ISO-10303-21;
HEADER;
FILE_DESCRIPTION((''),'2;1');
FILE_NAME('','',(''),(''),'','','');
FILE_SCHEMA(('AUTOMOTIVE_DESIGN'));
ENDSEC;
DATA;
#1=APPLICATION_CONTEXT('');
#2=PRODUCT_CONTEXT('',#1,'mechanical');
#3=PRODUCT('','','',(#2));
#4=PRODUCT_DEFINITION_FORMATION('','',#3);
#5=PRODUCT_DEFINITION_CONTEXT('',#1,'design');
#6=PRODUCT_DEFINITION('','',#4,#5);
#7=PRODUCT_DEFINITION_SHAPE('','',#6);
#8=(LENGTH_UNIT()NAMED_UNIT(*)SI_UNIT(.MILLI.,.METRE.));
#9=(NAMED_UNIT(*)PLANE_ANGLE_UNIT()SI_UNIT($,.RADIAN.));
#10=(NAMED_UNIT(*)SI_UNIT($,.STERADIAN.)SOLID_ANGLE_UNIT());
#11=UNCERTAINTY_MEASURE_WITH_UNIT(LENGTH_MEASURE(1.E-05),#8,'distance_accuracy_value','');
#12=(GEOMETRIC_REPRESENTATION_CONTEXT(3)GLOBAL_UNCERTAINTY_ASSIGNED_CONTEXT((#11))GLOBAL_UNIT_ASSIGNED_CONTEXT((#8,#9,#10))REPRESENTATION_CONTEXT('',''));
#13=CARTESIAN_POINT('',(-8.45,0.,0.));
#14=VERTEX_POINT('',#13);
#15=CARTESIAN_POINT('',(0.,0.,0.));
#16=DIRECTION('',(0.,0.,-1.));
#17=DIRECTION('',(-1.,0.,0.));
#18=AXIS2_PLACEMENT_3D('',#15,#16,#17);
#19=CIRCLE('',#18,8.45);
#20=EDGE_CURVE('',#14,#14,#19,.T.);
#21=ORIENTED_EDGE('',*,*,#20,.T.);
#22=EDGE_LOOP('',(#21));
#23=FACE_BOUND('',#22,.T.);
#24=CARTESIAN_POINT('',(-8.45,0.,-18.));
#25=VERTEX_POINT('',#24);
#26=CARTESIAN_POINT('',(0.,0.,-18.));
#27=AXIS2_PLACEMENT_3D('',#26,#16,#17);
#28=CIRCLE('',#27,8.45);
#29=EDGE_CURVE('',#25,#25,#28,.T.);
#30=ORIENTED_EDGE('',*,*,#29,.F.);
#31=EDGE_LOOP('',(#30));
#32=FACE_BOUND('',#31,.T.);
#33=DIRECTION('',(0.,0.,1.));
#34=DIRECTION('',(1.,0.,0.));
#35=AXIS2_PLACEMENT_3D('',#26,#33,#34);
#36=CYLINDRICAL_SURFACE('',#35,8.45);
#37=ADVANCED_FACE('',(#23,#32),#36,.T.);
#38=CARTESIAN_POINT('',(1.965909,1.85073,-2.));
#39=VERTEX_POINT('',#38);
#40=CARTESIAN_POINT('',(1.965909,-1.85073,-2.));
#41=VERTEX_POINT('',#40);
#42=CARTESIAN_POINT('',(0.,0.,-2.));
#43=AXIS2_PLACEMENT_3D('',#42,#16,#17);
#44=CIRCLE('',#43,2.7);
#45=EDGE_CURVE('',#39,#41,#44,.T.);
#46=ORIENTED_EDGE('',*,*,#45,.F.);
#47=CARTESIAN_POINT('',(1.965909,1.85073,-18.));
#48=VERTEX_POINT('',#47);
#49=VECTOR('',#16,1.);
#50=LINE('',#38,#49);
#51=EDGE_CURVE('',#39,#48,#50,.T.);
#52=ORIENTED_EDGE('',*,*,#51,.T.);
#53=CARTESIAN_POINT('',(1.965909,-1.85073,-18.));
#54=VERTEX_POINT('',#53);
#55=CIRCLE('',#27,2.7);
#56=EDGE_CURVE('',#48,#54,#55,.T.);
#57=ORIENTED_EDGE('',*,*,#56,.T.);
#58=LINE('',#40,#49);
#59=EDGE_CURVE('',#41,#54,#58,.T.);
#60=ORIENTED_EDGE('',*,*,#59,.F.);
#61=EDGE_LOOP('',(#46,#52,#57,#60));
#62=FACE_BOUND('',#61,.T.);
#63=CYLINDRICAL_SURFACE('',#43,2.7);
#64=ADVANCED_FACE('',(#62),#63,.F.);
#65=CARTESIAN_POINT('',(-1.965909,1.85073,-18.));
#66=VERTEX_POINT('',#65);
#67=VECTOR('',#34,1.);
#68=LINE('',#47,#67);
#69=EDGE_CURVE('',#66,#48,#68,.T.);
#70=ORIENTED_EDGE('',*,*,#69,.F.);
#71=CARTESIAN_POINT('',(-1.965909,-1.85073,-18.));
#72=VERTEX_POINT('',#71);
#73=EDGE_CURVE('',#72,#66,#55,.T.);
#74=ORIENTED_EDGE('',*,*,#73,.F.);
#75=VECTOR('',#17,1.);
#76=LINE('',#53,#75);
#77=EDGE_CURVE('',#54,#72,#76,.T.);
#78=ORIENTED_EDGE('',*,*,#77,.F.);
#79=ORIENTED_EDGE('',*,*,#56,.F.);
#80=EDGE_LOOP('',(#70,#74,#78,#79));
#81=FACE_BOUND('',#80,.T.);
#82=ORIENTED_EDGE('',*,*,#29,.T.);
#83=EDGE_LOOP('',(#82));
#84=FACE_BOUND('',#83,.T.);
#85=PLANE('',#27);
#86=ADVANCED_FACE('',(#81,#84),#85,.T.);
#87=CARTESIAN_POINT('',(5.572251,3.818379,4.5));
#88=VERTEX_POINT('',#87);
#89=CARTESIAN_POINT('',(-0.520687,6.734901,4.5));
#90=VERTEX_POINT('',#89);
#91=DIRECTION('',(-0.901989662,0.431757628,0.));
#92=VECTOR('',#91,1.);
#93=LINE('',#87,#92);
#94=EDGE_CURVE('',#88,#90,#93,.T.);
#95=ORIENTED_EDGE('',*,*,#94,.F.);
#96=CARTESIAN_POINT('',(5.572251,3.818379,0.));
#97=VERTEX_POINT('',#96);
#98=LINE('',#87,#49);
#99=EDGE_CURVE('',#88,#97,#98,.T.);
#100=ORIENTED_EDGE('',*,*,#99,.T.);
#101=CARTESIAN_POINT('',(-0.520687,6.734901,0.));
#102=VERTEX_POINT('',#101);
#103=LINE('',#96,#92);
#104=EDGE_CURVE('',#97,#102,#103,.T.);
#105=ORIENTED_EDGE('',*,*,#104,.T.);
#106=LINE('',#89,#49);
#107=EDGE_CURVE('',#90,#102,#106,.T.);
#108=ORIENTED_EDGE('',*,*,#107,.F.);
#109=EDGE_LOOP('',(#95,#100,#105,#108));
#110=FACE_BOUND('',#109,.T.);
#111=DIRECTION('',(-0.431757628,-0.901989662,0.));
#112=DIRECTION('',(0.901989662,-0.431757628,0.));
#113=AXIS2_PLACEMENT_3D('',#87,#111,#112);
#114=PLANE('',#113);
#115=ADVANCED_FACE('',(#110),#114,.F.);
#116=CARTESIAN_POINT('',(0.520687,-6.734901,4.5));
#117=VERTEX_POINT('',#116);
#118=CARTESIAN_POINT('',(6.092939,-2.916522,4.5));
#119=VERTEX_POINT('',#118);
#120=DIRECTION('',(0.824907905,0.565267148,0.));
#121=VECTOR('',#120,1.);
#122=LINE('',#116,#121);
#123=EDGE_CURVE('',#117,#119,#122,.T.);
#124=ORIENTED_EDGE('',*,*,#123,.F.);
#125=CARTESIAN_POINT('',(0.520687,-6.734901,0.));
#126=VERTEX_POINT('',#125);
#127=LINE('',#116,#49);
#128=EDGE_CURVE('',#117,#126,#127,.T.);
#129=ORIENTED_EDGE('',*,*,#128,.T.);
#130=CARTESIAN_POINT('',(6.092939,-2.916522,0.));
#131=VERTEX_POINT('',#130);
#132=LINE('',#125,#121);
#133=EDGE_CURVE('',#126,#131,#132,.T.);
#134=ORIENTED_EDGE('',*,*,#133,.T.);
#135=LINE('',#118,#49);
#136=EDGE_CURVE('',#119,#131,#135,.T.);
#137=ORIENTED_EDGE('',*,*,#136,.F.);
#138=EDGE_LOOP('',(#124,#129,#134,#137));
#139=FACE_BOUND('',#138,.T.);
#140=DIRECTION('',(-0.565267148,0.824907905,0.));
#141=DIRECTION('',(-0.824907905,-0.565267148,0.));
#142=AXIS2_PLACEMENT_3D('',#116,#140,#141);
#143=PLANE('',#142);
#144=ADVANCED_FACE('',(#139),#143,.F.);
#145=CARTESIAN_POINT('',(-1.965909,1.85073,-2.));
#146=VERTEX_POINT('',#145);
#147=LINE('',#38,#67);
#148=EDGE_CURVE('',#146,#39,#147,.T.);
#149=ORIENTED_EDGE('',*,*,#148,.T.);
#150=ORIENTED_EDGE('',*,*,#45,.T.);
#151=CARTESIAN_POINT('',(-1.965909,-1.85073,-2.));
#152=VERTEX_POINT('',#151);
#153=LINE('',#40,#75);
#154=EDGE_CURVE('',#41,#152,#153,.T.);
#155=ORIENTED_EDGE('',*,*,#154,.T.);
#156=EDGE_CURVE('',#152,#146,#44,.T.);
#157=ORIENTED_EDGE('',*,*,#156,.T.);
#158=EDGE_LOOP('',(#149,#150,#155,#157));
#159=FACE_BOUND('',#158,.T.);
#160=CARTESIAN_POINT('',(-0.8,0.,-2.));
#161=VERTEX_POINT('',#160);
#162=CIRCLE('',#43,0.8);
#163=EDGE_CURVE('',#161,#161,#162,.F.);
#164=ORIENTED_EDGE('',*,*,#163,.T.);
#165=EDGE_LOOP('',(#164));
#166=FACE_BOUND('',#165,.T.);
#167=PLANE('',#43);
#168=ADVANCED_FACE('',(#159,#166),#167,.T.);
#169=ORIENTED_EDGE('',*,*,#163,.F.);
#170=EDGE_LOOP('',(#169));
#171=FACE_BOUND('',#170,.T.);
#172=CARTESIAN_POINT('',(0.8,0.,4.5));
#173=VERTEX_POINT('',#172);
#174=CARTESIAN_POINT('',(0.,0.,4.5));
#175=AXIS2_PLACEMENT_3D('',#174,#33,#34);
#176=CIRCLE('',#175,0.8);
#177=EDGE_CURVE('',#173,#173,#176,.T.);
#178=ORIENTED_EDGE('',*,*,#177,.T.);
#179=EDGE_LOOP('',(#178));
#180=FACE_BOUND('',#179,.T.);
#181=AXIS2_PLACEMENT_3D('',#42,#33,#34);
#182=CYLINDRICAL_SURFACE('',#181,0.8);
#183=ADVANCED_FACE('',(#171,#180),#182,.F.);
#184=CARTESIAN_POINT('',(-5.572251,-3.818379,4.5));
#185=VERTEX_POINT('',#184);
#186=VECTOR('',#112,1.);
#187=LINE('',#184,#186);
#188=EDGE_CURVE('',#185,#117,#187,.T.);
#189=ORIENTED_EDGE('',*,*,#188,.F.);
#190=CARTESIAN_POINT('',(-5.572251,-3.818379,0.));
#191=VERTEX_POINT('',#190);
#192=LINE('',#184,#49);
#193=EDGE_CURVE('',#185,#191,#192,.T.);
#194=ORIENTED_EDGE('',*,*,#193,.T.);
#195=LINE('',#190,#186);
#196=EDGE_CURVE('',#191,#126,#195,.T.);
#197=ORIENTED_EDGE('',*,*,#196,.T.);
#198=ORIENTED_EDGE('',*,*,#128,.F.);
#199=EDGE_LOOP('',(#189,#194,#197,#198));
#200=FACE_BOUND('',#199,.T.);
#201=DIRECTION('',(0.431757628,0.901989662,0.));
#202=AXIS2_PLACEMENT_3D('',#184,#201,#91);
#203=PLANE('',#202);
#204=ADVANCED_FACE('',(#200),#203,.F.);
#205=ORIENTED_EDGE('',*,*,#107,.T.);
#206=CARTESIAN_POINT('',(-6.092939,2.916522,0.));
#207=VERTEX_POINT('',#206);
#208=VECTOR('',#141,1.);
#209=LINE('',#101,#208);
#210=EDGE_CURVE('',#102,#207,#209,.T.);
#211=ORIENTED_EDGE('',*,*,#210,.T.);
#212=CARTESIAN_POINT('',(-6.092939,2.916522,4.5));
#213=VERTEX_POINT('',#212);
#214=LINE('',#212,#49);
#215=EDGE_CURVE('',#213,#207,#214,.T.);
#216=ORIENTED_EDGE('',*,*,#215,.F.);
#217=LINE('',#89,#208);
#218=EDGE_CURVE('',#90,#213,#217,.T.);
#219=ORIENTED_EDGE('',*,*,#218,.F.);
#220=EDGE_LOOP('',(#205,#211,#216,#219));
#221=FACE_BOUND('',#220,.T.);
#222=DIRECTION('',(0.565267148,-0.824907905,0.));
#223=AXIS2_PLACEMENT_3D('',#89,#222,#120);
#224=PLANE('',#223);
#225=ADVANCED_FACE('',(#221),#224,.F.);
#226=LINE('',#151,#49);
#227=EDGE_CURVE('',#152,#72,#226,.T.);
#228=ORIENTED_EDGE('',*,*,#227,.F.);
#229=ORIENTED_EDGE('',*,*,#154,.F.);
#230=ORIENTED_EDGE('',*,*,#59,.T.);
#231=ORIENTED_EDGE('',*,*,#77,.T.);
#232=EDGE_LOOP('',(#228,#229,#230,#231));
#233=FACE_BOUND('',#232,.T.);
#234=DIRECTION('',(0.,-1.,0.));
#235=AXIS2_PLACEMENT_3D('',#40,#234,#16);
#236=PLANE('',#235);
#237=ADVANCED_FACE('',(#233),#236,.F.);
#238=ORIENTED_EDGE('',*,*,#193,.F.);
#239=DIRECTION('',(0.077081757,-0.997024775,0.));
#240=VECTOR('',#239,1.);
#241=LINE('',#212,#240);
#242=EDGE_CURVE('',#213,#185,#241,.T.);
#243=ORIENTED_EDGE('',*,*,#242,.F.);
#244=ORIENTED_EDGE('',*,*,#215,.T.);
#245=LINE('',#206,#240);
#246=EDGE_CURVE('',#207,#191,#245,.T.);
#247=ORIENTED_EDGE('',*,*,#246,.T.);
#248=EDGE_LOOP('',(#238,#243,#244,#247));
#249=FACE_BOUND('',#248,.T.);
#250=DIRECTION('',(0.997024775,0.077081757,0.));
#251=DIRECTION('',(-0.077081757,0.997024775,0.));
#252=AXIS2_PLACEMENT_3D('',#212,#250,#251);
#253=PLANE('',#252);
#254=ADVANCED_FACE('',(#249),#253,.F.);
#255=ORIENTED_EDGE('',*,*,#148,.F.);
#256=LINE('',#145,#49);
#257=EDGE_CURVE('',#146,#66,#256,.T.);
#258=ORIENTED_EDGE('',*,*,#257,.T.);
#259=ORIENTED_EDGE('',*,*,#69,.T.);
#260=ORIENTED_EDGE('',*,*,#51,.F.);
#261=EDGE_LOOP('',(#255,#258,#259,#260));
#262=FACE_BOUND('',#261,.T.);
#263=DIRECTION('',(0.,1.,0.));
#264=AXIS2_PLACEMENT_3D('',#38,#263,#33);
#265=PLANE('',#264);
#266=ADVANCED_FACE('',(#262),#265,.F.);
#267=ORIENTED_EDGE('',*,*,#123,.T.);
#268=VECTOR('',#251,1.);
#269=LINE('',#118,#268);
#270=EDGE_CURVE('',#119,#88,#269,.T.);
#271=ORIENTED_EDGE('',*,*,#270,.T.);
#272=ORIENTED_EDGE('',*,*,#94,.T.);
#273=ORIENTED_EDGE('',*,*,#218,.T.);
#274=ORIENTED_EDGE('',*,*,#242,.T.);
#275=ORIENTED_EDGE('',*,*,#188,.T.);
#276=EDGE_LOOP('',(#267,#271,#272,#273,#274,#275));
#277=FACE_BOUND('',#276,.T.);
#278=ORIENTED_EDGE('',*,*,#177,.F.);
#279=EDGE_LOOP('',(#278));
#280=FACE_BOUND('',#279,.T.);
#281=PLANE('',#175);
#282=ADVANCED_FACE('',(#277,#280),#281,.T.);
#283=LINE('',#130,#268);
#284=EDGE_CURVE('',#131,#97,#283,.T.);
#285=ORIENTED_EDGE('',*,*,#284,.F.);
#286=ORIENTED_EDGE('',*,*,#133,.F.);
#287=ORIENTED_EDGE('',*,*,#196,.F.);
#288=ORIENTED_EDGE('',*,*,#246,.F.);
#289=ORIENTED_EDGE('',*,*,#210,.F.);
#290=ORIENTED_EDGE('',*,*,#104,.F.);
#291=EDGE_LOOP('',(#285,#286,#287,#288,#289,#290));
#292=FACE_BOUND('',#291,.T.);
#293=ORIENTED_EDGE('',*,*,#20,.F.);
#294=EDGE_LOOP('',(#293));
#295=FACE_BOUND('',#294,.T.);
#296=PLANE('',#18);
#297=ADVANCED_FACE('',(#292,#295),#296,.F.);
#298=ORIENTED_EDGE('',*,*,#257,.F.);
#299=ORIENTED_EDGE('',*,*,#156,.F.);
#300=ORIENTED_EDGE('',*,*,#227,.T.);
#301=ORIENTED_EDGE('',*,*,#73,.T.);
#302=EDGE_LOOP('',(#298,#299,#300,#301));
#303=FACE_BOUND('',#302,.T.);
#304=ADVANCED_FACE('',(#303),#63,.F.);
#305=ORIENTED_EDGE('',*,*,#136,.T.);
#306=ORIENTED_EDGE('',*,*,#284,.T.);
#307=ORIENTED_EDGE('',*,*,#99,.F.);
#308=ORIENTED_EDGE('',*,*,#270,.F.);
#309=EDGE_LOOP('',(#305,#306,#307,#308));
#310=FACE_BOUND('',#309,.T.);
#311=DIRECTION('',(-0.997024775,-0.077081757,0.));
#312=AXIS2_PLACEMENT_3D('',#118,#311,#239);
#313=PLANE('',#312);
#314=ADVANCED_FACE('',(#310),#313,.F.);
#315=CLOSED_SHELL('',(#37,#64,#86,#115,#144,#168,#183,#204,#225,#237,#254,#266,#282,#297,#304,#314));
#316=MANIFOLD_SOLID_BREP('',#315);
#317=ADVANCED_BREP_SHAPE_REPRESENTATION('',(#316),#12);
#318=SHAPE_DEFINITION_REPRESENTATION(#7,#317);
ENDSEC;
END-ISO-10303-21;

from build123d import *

# Parameters (mm, degrees)
BOSS_EXTRUDE1_DEPTH = 4.5
SKETCH4_R           = 8.45
BOSS_EXTRUDE2_DEPTH = 18
BOSS_EXTRUDE3_DEPTH = 4.5
SKETCH2_R           = 0.8
CUT_EXTRUDE2_DEPTH  = 6.5
BOSS_EXTRUDE4_DEPTH = 4.5
SKETCH2_2_R         = 0.8
CUT_EXTRUDE4_DEPTH  = 6
CUT_EXTRUDE5_DEPTH  = 16


with BuildPart() as part:
    # Sketch1 → Boss-Extrude1 (new body)
    with BuildSketch(Plane.XY):
        Polygon((5.572251372, 3.818378537), (-0.520687129, 6.734900513), (-6.0929385, 2.916521976), (-5.572251372, -3.818378537), (0.520687129, -6.734900513), (6.0929385, -2.916521976), align=None)
    extrude(amount=BOSS_EXTRUDE1_DEPTH)

    # Sketch4 → Boss-Extrude2 (add)
    with BuildSketch(Plane(origin=(0, 0, 0), x_dir=(-1, 0, 0), z_dir=(0, 0, -1))):
        Circle(SKETCH4_R)
    extrude(amount=BOSS_EXTRUDE2_DEPTH)

    # Sketch1<2> → Boss-Extrude3 (add)
    with BuildSketch(Plane.XY):
        Polygon((5.572251372, 3.818378537), (-0.520687129, 6.734900513), (-6.0929385, 2.916521976), (-5.572251372, -3.818378537), (0.520687129, -6.734900513), (6.0929385, -2.916521976), align=None)
    extrude(amount=BOSS_EXTRUDE3_DEPTH)

    # Sketch2 → Cut-Extrude2 (cut)
    with BuildSketch(Plane.XY.offset(4.5)):
        Circle(SKETCH2_R)
    extrude(amount=-CUT_EXTRUDE2_DEPTH, mode=Mode.SUBTRACT)

    # Sketch1<3> → Boss-Extrude4 (add)
    with BuildSketch(Plane.XY):
        Polygon((5.572251372, 3.818378537), (-0.520687129, 6.734900513), (-6.0929385, 2.916521976), (-5.572251372, -3.818378537), (0.520687129, -6.734900513), (6.0929385, -2.916521976), align=None)
    extrude(amount=BOSS_EXTRUDE4_DEPTH)

    # Sketch2<2> → Cut-Extrude4 (cut)
    with BuildSketch(Plane.XY.offset(4.5)):
        Circle(SKETCH2_2_R)
    extrude(amount=-CUT_EXTRUDE4_DEPTH, mode=Mode.SUBTRACT)

    # Sketch5 → Cut-Extrude5 (cut)
    with BuildSketch(Plane(origin=(0, 0, -18), x_dir=(-1, 0, 0), z_dir=(0, 0, -1))):
        with BuildLine():
            Line((-1.965909199, -1.850729862), (1.965909199, -1.850729862))
            ThreePointArc((1.965909199, -1.850729862), (2.7, 0), (1.965909199, 1.850729862))
            Line((1.965909199, 1.850729862), (-1.965909199, 1.850729862))
            ThreePointArc((-1.965909199, 1.850729862), (-2.7, 0), (-1.965909199, -1.850729862))
        make_face()
    extrude(amount=-CUT_EXTRUDE5_DEPTH, mode=Mode.SUBTRACT)


solid = part.part
